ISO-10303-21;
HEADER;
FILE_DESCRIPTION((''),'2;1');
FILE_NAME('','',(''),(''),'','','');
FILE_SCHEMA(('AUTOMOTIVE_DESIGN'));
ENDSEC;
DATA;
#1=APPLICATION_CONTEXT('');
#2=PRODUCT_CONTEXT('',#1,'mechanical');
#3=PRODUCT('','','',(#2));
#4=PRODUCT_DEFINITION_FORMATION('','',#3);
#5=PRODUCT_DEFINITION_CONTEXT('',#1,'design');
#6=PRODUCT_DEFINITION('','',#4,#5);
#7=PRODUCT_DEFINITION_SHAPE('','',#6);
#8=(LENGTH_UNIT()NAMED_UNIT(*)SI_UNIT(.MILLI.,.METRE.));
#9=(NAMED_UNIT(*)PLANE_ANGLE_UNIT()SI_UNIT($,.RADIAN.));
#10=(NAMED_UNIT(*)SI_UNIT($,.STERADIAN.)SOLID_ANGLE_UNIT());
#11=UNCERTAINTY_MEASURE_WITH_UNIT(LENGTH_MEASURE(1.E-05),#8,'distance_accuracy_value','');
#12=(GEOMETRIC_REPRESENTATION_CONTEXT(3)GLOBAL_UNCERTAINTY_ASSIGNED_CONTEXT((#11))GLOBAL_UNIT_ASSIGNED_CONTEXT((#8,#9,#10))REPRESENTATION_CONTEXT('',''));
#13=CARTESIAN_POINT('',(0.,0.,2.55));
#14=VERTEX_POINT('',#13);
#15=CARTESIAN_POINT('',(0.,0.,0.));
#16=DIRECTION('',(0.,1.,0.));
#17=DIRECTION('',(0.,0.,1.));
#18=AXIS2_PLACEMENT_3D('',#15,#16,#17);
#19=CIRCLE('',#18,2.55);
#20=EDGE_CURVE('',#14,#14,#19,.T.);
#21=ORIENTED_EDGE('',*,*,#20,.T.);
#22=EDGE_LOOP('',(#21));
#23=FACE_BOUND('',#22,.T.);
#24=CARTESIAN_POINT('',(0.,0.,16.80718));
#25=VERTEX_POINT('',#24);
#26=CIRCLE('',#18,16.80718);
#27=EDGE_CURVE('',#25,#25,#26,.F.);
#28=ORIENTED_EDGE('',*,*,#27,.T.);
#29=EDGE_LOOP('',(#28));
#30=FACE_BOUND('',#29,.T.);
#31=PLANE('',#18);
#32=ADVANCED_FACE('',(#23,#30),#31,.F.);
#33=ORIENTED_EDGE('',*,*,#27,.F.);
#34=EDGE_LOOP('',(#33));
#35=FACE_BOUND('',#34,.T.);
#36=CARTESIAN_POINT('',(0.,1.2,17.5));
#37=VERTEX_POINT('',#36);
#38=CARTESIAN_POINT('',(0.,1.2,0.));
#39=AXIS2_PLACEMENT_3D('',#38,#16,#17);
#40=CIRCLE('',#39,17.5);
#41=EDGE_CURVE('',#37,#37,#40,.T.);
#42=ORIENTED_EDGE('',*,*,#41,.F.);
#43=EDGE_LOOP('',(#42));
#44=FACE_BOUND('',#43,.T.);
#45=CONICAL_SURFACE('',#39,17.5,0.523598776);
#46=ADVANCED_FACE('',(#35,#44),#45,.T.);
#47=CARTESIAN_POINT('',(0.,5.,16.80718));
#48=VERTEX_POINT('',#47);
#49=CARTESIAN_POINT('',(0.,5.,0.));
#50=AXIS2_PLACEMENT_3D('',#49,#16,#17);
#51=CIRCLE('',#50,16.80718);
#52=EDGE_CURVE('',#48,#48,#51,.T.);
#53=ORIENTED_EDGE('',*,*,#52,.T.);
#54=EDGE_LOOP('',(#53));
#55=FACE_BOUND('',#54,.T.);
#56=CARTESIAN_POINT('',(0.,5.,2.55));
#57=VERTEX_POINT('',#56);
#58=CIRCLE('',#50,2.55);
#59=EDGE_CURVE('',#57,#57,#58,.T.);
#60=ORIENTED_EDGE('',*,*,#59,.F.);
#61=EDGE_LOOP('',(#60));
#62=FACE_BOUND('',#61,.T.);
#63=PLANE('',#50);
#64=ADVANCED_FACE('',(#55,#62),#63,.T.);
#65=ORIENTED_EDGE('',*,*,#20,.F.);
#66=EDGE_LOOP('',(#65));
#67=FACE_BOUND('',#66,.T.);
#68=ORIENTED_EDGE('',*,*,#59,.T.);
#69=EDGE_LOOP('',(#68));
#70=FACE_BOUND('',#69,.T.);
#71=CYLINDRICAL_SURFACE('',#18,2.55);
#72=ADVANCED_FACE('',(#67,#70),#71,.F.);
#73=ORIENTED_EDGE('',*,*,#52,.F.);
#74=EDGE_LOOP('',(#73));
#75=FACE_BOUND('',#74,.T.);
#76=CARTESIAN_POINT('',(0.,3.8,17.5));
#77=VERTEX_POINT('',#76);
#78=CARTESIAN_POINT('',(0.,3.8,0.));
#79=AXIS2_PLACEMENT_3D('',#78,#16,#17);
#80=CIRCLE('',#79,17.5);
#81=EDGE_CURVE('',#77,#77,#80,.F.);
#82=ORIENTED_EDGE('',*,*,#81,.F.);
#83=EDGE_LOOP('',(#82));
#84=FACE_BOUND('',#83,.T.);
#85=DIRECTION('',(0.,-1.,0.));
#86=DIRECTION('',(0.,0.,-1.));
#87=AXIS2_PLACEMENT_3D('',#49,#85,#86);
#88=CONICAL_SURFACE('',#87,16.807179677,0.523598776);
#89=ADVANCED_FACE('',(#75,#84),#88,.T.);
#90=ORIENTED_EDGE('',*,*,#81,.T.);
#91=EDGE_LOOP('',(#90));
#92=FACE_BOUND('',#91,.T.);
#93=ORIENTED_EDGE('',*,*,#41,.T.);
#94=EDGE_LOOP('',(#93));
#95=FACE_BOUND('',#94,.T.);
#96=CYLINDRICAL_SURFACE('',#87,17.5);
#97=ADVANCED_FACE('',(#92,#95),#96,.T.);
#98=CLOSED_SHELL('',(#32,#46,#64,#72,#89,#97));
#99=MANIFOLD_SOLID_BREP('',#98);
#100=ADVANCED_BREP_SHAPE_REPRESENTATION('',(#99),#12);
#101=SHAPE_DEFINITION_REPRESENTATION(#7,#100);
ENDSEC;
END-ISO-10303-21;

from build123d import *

# Parameters (mm, degrees)
SKETCH_1_R               = 17.5
EXTRUDE_1_DEPTH          = 5
CUT_EXTRUDE_1_DEPTH      = 26.248762346
CUT_EXTRUDE_1_DEPTH_BACK = 26.248762346
SKETCH_2_R               = 2.55
CHAMFER_1_SIZE           = 1.2
CHAMFER_1_SIZE2          = 0.692820323


with BuildPart() as part:
    # 스케치1 → 보스-돌출1 (new body)
    with BuildSketch(Plane(origin=(0, 0, 0), x_dir=(1, 0, 0), z_dir=(0, 1, 0))):
        with Locations(Location((0, 0, 0), (0, 0, 270))):
            Circle(SKETCH_1_R)
    extrude(amount=EXTRUDE_1_DEPTH)

    # 스케치2 → 컷-돌출1 (cut, two sides: drawn at the far end of the back side and taken through both)
    with BuildSketch(Plane(origin=(0, 5, 0), x_dir=(1, 0, 0), z_dir=(0, 1, 0)).offset(-CUT_EXTRUDE_1_DEPTH_BACK)):
        with Locations(Location((0, 0, 0), (0, 0, 270))):
            Circle(SKETCH_2_R)
    extrude(amount=CUT_EXTRUDE_1_DEPTH + CUT_EXTRUDE_1_DEPTH_BACK, mode=Mode.SUBTRACT)

    # 모따기1
    chamfer_1_edges = [part.edges().sort_by_distance(p)[0] for p in [
        (0, 0, -17.5),
        (0, 5, -17.5),
    ]]
    chamfer_1_side = [part.faces().sort_by_distance(p)[0] for p in [
        (0, 2.5, -17.5),
    ]]
    chamfer(chamfer_1_edges, length=CHAMFER_1_SIZE, length2=CHAMFER_1_SIZE2, reference=chamfer_1_side[0])


solid = part.part
